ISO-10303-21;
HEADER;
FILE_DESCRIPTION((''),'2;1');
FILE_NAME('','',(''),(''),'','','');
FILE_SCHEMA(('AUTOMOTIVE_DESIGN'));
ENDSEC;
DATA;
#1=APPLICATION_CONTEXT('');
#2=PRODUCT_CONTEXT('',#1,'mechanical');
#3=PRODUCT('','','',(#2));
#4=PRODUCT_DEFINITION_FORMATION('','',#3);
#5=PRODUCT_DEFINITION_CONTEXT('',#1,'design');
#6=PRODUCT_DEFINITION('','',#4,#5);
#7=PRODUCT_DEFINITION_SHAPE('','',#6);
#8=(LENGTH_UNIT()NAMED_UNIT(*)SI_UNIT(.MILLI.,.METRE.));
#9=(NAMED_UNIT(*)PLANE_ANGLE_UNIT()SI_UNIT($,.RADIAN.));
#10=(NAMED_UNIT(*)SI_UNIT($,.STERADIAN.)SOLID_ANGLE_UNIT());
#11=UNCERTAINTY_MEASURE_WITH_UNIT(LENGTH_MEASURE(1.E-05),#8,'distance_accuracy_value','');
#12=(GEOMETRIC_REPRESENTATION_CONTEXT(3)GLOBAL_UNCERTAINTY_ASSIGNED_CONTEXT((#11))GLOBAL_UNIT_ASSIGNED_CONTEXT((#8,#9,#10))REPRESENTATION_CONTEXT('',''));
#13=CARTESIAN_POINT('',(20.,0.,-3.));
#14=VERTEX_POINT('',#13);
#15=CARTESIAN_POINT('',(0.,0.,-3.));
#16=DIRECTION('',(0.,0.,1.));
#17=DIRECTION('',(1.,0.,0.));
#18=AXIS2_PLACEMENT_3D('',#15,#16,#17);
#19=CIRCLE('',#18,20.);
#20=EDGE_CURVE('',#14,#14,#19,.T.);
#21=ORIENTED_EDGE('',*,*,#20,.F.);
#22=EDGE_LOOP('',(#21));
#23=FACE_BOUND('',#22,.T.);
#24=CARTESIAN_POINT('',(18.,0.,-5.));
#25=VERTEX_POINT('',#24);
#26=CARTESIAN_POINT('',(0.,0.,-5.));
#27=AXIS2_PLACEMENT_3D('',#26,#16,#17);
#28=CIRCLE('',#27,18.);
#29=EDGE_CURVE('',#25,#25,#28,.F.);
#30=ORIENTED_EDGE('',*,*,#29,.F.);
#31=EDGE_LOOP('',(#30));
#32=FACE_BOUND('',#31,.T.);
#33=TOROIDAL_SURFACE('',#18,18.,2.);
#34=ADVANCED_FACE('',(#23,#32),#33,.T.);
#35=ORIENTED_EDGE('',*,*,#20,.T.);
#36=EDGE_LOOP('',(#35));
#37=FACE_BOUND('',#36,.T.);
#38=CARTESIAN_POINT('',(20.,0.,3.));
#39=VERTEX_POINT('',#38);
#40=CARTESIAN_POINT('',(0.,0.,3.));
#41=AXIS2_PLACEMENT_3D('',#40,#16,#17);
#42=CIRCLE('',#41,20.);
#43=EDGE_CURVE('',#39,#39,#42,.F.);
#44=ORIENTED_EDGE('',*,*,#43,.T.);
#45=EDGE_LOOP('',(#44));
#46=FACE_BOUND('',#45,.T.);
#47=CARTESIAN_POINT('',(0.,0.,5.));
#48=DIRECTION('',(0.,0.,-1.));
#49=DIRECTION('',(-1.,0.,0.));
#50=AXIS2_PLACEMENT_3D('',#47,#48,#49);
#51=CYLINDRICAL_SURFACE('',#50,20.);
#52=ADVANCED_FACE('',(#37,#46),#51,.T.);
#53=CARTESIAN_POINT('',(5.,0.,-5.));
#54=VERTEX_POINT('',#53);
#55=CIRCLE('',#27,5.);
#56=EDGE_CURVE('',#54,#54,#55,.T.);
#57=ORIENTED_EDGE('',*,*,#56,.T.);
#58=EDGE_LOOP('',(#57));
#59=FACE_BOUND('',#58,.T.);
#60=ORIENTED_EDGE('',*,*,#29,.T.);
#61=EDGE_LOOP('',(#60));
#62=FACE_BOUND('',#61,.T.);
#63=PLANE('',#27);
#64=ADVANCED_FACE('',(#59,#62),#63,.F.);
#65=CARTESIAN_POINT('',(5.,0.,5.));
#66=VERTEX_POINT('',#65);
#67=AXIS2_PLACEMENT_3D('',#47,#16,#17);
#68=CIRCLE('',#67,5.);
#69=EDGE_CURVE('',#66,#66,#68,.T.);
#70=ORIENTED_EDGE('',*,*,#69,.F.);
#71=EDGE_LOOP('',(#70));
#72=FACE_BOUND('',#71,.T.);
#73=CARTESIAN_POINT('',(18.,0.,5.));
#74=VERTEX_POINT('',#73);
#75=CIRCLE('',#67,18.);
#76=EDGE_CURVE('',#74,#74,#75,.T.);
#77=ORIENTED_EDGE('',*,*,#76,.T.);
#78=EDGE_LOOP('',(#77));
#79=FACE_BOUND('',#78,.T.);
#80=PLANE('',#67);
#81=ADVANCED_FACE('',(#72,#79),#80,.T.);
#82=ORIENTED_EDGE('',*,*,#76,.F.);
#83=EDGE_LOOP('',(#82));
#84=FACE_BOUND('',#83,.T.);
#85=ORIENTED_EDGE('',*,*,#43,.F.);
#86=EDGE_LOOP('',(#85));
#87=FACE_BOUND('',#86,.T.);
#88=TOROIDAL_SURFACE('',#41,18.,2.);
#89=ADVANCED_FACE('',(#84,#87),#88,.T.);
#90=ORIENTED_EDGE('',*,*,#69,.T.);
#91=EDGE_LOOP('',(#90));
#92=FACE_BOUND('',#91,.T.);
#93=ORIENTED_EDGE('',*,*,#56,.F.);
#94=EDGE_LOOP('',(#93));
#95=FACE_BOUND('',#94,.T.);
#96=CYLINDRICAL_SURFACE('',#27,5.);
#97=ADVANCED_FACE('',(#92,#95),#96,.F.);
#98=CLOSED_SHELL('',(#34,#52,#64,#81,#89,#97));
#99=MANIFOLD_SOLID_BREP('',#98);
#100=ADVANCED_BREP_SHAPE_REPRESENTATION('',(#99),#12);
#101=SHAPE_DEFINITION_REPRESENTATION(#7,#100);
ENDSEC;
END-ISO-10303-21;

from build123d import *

# Parameters (mm, degrees)
ESBO_O1_R                = 20
RESSALTO_EXTRUS_O1_DEPTH = 5
ESBO_O2_R                = 5
CORTE_EXTRUS_O2_DEPTH    = 5
FILETE3_R                = 2


with BuildPart() as part:
    # Esboço1 → Ressalto-extrusão1 (new, symmetric)
    with BuildSketch(Plane.XY):
        Circle(ESBO_O1_R)
    extrude(amount=RESSALTO_EXTRUS_O1_DEPTH, both=True)

    # Esboço2 → Corte-extrusão2 (cut, symmetric)
    with BuildSketch(Plane.XY):
        Circle(ESBO_O2_R)
    extrude(amount=CORTE_EXTRUS_O2_DEPTH, both=True, mode=Mode.SUBTRACT)

    # Filete3
    filete3_edges = [part.edges().sort_by_distance(p)[0] for p in [
        (-20, 0, -5),
        (-20, 0, 5),
    ]]
    fillet(filete3_edges, radius=FILETE3_R)


solid = part.part
